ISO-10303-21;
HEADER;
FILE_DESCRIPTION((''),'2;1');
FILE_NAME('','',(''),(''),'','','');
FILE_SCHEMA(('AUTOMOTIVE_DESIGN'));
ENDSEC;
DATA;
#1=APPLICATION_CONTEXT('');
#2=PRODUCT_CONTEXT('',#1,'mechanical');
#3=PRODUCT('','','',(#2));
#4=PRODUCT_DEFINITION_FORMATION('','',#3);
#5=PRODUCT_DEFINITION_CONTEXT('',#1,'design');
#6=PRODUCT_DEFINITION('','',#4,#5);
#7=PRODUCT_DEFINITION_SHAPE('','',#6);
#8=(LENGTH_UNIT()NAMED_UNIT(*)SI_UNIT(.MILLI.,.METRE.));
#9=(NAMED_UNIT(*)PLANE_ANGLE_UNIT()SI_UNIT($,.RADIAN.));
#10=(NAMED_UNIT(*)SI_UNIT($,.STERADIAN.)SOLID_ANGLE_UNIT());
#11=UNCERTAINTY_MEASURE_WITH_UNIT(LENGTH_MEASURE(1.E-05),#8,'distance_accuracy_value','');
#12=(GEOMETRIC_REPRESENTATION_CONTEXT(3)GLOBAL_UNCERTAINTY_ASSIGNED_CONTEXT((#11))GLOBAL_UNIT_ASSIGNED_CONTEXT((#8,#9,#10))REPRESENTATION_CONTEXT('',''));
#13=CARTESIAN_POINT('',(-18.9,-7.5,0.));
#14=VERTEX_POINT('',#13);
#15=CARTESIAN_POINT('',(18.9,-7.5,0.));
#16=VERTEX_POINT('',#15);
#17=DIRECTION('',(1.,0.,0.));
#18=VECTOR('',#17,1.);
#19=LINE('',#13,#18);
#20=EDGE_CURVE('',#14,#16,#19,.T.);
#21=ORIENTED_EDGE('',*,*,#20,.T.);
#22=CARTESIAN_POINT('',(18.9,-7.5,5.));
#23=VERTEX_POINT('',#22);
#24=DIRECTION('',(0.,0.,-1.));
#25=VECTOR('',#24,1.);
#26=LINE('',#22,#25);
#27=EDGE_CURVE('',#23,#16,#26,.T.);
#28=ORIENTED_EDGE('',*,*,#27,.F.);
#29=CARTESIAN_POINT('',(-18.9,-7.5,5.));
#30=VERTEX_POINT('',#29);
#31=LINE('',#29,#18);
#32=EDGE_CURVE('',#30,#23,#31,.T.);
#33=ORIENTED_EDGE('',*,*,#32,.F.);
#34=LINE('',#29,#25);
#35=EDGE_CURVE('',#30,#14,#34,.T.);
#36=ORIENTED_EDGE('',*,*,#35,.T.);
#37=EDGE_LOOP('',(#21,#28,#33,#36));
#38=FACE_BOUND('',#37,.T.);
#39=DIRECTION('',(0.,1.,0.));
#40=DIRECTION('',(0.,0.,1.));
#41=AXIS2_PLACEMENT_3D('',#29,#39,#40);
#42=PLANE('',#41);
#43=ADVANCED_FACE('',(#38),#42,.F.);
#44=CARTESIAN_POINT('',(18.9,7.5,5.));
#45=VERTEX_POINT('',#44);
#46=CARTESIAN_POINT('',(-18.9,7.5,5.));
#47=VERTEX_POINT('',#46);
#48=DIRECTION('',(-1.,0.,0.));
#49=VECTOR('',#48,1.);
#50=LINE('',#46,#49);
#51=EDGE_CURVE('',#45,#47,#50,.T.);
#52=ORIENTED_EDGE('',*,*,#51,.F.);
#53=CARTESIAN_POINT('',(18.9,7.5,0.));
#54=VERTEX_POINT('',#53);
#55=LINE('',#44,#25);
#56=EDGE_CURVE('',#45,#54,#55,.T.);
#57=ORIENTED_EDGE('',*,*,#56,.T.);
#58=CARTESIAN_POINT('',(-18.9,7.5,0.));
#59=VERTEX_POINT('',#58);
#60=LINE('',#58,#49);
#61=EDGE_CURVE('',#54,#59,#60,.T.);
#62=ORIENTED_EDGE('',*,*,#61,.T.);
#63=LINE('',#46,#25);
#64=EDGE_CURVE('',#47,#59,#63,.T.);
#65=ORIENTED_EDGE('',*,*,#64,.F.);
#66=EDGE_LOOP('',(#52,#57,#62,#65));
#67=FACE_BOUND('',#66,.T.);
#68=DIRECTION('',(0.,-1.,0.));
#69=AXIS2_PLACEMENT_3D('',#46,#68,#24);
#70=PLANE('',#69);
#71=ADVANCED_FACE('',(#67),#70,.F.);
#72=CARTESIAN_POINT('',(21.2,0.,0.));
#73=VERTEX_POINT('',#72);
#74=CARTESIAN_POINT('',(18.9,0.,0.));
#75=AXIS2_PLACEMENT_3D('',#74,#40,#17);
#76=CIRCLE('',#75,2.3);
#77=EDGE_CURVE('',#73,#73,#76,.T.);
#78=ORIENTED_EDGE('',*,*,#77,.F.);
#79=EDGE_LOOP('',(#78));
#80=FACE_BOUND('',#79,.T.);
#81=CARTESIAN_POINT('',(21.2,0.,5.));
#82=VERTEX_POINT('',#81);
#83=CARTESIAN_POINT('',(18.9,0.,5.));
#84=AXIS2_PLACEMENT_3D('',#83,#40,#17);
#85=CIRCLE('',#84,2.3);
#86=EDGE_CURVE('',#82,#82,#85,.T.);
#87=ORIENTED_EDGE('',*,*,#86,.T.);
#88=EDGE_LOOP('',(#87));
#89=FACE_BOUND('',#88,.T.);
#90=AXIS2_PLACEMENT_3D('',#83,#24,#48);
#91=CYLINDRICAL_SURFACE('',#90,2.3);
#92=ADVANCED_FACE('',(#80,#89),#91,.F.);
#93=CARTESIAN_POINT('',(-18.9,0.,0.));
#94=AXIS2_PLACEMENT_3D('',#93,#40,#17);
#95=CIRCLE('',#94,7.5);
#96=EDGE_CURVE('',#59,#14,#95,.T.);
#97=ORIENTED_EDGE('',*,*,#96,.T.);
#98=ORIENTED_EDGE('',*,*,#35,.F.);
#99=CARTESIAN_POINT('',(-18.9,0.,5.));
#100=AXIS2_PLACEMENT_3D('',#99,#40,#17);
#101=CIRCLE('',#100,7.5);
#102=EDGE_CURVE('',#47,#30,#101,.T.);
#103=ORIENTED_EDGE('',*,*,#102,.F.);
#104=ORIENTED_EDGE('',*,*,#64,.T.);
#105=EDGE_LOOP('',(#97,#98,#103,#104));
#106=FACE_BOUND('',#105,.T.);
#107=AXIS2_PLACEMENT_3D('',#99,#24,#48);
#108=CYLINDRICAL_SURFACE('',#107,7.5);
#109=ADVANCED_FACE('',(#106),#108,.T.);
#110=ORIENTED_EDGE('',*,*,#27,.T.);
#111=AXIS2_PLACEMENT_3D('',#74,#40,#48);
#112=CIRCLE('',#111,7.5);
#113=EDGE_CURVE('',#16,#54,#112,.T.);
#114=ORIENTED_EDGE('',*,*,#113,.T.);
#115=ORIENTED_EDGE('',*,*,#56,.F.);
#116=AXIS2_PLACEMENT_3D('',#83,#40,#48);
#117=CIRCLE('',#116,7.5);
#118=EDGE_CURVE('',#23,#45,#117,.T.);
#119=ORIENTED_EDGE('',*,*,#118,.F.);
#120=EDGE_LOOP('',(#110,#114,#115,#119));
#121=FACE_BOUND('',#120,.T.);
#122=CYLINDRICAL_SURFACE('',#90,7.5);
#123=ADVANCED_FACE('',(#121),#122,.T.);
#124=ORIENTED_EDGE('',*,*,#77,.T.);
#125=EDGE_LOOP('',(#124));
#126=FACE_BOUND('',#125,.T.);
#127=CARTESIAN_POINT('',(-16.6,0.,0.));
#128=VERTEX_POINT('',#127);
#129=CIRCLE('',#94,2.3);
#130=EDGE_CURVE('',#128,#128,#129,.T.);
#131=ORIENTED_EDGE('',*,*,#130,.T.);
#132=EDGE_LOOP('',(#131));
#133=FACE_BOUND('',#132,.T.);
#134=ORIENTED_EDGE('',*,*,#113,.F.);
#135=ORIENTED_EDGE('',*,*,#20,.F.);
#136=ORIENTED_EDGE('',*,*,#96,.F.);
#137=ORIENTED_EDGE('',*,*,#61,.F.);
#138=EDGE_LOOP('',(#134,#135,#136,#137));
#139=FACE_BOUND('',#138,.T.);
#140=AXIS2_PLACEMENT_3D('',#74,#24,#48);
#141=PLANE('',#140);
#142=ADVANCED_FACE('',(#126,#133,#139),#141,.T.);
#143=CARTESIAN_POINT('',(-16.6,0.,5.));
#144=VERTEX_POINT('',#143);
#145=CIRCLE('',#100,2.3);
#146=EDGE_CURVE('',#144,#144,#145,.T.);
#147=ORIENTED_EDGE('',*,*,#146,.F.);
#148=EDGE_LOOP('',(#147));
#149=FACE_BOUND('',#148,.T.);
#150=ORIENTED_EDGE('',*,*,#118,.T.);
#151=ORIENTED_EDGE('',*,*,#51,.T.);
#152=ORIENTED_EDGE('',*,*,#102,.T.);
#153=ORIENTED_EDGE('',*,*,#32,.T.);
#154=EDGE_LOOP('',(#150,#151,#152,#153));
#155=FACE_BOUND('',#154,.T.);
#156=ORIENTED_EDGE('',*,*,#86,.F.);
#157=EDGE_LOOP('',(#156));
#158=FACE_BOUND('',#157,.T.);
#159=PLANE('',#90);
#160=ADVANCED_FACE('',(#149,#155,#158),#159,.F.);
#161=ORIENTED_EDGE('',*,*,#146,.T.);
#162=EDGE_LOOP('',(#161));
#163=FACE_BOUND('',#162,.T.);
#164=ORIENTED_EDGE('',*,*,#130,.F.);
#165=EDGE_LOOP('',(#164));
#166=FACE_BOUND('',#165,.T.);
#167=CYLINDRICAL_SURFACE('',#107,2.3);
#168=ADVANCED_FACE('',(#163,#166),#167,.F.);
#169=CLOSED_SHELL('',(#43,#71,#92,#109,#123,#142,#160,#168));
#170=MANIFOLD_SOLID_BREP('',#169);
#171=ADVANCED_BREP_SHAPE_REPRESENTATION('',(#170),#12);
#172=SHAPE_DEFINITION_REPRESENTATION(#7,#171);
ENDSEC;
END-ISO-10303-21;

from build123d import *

# Parameters (mm, degrees)
SKETCH_1_R      = 2.3
EXTRUDE_1_DEPTH = 5


with BuildPart() as part:
    # 草图1 → 凸台-拉伸1 (new body)
    with BuildSketch(Plane.XY):
        with BuildLine():
            Line((-18.9, 7.5), (18.9, 7.5))
            ThreePointArc((18.9, 7.5), (26.4, 0), (18.9, -7.5))
            Line((18.9, -7.5), (-18.9, -7.5))
            ThreePointArc((-18.9, -7.5), (-26.4, 0), (-18.9, 7.5))
        make_face()
        with Locations((-18.9, 0)):
            Circle(SKETCH_1_R, mode=Mode.SUBTRACT)
        with Locations((18.9, 0)):
            Circle(SKETCH_1_R, mode=Mode.SUBTRACT)
    extrude(amount=EXTRUDE_1_DEPTH)


solid = part.part
